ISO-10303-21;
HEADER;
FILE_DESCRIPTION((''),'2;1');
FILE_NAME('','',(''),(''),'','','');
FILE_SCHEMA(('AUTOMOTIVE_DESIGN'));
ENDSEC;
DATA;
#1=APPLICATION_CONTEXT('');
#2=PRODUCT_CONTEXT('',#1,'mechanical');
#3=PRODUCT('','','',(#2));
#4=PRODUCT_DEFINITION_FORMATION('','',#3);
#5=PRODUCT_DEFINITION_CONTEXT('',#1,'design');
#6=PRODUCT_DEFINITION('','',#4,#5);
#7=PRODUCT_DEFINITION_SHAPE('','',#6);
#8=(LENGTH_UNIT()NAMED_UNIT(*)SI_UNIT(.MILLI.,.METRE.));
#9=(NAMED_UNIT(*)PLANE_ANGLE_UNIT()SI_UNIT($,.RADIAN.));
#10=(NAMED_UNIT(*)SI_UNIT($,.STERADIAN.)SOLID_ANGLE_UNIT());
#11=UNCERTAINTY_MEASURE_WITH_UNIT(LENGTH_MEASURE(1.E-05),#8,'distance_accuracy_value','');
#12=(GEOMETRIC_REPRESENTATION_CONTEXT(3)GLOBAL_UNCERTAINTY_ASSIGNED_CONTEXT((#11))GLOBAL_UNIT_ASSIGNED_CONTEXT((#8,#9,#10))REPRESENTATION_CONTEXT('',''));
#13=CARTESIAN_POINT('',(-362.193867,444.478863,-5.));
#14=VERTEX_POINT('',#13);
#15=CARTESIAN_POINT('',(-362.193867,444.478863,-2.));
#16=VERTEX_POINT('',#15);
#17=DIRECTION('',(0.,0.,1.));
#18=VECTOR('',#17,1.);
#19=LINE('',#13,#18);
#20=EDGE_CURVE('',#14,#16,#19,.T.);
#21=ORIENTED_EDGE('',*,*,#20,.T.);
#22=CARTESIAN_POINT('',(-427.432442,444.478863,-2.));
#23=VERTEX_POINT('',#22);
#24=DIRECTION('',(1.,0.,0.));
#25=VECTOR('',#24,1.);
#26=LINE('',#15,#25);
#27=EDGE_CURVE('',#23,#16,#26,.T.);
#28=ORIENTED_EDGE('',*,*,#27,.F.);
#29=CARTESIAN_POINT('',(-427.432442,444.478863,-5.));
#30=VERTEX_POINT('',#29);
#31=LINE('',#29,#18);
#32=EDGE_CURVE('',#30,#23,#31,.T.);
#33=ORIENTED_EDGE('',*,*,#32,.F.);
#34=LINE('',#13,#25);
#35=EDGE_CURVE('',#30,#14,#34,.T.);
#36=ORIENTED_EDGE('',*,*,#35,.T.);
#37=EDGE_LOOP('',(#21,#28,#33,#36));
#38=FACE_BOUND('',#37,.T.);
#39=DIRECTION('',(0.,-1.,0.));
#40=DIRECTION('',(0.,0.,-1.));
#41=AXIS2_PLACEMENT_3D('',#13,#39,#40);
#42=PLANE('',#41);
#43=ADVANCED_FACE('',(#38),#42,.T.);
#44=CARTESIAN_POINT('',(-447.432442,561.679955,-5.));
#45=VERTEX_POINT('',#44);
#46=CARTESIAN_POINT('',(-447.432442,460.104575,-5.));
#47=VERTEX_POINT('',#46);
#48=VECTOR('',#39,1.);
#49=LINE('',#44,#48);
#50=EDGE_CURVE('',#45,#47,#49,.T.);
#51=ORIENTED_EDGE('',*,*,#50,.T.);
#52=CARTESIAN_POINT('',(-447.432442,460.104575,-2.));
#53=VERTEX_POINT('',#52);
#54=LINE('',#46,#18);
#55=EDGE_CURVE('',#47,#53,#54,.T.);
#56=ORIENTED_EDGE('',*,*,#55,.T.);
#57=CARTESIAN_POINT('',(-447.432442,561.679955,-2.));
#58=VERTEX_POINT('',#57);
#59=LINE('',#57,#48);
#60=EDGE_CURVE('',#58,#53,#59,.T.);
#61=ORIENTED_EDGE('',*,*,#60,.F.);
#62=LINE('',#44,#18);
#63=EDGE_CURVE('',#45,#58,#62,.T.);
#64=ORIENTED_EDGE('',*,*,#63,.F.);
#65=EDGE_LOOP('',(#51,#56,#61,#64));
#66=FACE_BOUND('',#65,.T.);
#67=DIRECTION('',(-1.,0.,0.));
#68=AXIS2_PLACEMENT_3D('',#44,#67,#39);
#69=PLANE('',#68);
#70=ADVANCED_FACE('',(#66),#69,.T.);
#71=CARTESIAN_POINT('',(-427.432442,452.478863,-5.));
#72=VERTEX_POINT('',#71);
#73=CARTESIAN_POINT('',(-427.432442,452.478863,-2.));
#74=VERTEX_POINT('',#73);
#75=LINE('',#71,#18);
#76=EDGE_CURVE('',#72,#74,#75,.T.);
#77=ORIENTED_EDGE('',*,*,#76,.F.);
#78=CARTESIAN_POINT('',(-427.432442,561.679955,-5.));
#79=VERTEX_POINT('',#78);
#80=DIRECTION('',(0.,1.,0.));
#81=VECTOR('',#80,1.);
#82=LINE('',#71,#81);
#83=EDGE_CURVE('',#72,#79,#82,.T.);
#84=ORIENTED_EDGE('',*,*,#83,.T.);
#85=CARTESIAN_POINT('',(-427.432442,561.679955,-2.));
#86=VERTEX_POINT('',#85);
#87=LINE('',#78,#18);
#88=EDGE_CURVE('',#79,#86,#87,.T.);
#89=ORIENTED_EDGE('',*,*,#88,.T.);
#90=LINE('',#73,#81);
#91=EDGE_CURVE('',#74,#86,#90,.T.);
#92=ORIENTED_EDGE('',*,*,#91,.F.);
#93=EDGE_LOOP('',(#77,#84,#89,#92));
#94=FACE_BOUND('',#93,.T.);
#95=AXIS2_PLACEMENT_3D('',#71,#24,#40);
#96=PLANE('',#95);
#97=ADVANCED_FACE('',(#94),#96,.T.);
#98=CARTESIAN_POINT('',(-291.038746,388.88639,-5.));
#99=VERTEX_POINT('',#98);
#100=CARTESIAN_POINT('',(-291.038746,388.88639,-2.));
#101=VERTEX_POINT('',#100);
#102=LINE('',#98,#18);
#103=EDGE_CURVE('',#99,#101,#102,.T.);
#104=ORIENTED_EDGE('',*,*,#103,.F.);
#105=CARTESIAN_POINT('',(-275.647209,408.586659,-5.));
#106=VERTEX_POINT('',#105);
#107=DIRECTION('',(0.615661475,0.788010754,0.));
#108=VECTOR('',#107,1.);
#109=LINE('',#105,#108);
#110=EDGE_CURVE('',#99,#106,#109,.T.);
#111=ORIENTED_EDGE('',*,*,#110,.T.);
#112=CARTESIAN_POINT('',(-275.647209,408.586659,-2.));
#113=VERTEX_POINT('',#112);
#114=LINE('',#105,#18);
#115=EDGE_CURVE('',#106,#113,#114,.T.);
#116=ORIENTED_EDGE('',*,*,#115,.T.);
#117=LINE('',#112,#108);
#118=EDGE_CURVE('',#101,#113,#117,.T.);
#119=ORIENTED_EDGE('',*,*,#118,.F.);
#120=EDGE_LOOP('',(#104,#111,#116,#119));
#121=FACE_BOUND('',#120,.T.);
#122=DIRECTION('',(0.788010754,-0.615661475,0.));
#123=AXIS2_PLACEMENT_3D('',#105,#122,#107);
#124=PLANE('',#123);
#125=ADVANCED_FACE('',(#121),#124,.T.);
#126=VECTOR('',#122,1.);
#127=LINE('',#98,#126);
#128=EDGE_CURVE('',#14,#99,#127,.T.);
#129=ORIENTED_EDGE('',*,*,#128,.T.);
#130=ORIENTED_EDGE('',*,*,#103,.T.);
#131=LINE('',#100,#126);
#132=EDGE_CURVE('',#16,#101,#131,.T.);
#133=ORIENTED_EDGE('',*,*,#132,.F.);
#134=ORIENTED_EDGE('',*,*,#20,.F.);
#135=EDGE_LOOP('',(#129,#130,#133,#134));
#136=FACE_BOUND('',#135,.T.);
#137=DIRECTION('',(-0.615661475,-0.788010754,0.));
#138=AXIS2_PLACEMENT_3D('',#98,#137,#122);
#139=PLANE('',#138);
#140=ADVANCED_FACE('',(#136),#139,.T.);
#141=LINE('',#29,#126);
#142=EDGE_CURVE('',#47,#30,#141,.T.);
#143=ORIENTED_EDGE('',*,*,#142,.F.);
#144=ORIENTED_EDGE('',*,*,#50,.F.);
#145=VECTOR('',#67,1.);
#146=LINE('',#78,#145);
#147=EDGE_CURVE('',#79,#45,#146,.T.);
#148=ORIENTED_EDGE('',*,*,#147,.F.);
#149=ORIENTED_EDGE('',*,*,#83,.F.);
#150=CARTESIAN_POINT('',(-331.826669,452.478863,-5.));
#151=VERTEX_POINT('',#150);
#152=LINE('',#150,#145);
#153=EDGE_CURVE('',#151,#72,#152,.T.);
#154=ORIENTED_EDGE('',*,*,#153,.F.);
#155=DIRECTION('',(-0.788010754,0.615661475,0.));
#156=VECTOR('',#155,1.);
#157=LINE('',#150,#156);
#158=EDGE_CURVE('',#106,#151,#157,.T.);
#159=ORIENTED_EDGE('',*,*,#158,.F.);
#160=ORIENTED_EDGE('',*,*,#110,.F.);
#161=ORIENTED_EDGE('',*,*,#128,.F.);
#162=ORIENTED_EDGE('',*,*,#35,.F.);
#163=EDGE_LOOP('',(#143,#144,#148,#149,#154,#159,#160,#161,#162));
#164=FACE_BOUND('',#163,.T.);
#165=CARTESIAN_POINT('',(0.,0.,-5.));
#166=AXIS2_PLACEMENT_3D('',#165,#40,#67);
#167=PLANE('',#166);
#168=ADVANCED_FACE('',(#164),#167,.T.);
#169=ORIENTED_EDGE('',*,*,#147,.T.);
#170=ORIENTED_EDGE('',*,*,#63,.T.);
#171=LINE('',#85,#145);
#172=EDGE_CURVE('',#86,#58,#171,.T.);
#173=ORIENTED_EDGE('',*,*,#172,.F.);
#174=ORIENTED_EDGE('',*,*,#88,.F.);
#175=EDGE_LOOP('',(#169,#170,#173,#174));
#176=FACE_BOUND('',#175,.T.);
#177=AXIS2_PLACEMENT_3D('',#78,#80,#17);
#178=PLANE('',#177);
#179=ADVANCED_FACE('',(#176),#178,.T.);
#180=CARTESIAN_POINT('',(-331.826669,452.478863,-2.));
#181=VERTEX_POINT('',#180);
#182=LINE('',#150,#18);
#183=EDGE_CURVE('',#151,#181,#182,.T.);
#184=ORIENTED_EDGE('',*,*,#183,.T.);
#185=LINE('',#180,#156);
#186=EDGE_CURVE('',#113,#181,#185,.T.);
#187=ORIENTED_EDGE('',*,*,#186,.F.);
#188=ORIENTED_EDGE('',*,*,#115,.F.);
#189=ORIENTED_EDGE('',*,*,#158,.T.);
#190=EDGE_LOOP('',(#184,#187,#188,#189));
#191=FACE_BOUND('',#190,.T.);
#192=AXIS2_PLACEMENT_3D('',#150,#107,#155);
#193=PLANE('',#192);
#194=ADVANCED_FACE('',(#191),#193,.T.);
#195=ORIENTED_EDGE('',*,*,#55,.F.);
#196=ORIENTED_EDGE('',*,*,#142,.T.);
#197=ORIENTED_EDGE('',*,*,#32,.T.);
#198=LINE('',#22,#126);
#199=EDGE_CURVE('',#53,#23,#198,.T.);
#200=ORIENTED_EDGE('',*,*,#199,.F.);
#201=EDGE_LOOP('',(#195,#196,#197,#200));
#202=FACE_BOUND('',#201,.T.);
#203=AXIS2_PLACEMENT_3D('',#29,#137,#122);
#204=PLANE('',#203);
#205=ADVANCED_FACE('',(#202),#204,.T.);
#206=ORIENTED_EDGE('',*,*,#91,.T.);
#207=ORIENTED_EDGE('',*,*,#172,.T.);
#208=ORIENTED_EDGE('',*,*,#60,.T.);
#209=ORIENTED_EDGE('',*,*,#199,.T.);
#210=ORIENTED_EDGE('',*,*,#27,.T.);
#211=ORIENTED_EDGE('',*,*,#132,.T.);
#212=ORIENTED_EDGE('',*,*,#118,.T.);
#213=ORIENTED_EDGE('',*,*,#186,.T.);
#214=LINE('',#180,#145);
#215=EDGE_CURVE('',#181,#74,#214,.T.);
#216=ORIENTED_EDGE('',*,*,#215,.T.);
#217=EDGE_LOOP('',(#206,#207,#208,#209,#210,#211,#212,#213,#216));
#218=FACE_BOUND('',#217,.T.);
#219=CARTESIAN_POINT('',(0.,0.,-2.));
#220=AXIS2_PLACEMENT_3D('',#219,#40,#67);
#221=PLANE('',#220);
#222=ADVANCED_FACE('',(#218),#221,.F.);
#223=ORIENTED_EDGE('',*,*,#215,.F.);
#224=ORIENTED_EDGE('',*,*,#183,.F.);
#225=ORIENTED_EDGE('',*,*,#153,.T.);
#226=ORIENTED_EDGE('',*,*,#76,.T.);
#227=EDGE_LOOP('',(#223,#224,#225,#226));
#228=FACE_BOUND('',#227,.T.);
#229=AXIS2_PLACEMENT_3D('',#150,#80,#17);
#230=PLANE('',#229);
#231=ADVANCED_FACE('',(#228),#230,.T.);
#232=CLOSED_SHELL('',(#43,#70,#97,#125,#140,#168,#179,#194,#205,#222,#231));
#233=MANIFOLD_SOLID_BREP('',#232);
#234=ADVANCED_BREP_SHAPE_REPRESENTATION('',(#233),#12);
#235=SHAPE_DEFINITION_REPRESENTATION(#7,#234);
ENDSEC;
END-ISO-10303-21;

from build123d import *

# Parameters (mm, degrees)
BOSS_EXTRUDE1_DEPTH = 3


with BuildPart() as part:
    # Sketch3 → Boss-Extrude1 (new body)
    with BuildSketch(Plane.XY.offset(-2)):
        Polygon((-331.826668729, 452.47886283), (-275.647209147, 408.586658554), (-291.038746031, 388.886389714), (-362.193866809, 444.47886283), (-427.432442284, 444.47886283), (-447.432442284, 460.10457536), (-447.432442284, 561.679955314), (-427.432442284, 561.679955314), (-427.432442284, 452.47886283), align=None)
    extrude(amount=-BOSS_EXTRUDE1_DEPTH)


solid = part.part
